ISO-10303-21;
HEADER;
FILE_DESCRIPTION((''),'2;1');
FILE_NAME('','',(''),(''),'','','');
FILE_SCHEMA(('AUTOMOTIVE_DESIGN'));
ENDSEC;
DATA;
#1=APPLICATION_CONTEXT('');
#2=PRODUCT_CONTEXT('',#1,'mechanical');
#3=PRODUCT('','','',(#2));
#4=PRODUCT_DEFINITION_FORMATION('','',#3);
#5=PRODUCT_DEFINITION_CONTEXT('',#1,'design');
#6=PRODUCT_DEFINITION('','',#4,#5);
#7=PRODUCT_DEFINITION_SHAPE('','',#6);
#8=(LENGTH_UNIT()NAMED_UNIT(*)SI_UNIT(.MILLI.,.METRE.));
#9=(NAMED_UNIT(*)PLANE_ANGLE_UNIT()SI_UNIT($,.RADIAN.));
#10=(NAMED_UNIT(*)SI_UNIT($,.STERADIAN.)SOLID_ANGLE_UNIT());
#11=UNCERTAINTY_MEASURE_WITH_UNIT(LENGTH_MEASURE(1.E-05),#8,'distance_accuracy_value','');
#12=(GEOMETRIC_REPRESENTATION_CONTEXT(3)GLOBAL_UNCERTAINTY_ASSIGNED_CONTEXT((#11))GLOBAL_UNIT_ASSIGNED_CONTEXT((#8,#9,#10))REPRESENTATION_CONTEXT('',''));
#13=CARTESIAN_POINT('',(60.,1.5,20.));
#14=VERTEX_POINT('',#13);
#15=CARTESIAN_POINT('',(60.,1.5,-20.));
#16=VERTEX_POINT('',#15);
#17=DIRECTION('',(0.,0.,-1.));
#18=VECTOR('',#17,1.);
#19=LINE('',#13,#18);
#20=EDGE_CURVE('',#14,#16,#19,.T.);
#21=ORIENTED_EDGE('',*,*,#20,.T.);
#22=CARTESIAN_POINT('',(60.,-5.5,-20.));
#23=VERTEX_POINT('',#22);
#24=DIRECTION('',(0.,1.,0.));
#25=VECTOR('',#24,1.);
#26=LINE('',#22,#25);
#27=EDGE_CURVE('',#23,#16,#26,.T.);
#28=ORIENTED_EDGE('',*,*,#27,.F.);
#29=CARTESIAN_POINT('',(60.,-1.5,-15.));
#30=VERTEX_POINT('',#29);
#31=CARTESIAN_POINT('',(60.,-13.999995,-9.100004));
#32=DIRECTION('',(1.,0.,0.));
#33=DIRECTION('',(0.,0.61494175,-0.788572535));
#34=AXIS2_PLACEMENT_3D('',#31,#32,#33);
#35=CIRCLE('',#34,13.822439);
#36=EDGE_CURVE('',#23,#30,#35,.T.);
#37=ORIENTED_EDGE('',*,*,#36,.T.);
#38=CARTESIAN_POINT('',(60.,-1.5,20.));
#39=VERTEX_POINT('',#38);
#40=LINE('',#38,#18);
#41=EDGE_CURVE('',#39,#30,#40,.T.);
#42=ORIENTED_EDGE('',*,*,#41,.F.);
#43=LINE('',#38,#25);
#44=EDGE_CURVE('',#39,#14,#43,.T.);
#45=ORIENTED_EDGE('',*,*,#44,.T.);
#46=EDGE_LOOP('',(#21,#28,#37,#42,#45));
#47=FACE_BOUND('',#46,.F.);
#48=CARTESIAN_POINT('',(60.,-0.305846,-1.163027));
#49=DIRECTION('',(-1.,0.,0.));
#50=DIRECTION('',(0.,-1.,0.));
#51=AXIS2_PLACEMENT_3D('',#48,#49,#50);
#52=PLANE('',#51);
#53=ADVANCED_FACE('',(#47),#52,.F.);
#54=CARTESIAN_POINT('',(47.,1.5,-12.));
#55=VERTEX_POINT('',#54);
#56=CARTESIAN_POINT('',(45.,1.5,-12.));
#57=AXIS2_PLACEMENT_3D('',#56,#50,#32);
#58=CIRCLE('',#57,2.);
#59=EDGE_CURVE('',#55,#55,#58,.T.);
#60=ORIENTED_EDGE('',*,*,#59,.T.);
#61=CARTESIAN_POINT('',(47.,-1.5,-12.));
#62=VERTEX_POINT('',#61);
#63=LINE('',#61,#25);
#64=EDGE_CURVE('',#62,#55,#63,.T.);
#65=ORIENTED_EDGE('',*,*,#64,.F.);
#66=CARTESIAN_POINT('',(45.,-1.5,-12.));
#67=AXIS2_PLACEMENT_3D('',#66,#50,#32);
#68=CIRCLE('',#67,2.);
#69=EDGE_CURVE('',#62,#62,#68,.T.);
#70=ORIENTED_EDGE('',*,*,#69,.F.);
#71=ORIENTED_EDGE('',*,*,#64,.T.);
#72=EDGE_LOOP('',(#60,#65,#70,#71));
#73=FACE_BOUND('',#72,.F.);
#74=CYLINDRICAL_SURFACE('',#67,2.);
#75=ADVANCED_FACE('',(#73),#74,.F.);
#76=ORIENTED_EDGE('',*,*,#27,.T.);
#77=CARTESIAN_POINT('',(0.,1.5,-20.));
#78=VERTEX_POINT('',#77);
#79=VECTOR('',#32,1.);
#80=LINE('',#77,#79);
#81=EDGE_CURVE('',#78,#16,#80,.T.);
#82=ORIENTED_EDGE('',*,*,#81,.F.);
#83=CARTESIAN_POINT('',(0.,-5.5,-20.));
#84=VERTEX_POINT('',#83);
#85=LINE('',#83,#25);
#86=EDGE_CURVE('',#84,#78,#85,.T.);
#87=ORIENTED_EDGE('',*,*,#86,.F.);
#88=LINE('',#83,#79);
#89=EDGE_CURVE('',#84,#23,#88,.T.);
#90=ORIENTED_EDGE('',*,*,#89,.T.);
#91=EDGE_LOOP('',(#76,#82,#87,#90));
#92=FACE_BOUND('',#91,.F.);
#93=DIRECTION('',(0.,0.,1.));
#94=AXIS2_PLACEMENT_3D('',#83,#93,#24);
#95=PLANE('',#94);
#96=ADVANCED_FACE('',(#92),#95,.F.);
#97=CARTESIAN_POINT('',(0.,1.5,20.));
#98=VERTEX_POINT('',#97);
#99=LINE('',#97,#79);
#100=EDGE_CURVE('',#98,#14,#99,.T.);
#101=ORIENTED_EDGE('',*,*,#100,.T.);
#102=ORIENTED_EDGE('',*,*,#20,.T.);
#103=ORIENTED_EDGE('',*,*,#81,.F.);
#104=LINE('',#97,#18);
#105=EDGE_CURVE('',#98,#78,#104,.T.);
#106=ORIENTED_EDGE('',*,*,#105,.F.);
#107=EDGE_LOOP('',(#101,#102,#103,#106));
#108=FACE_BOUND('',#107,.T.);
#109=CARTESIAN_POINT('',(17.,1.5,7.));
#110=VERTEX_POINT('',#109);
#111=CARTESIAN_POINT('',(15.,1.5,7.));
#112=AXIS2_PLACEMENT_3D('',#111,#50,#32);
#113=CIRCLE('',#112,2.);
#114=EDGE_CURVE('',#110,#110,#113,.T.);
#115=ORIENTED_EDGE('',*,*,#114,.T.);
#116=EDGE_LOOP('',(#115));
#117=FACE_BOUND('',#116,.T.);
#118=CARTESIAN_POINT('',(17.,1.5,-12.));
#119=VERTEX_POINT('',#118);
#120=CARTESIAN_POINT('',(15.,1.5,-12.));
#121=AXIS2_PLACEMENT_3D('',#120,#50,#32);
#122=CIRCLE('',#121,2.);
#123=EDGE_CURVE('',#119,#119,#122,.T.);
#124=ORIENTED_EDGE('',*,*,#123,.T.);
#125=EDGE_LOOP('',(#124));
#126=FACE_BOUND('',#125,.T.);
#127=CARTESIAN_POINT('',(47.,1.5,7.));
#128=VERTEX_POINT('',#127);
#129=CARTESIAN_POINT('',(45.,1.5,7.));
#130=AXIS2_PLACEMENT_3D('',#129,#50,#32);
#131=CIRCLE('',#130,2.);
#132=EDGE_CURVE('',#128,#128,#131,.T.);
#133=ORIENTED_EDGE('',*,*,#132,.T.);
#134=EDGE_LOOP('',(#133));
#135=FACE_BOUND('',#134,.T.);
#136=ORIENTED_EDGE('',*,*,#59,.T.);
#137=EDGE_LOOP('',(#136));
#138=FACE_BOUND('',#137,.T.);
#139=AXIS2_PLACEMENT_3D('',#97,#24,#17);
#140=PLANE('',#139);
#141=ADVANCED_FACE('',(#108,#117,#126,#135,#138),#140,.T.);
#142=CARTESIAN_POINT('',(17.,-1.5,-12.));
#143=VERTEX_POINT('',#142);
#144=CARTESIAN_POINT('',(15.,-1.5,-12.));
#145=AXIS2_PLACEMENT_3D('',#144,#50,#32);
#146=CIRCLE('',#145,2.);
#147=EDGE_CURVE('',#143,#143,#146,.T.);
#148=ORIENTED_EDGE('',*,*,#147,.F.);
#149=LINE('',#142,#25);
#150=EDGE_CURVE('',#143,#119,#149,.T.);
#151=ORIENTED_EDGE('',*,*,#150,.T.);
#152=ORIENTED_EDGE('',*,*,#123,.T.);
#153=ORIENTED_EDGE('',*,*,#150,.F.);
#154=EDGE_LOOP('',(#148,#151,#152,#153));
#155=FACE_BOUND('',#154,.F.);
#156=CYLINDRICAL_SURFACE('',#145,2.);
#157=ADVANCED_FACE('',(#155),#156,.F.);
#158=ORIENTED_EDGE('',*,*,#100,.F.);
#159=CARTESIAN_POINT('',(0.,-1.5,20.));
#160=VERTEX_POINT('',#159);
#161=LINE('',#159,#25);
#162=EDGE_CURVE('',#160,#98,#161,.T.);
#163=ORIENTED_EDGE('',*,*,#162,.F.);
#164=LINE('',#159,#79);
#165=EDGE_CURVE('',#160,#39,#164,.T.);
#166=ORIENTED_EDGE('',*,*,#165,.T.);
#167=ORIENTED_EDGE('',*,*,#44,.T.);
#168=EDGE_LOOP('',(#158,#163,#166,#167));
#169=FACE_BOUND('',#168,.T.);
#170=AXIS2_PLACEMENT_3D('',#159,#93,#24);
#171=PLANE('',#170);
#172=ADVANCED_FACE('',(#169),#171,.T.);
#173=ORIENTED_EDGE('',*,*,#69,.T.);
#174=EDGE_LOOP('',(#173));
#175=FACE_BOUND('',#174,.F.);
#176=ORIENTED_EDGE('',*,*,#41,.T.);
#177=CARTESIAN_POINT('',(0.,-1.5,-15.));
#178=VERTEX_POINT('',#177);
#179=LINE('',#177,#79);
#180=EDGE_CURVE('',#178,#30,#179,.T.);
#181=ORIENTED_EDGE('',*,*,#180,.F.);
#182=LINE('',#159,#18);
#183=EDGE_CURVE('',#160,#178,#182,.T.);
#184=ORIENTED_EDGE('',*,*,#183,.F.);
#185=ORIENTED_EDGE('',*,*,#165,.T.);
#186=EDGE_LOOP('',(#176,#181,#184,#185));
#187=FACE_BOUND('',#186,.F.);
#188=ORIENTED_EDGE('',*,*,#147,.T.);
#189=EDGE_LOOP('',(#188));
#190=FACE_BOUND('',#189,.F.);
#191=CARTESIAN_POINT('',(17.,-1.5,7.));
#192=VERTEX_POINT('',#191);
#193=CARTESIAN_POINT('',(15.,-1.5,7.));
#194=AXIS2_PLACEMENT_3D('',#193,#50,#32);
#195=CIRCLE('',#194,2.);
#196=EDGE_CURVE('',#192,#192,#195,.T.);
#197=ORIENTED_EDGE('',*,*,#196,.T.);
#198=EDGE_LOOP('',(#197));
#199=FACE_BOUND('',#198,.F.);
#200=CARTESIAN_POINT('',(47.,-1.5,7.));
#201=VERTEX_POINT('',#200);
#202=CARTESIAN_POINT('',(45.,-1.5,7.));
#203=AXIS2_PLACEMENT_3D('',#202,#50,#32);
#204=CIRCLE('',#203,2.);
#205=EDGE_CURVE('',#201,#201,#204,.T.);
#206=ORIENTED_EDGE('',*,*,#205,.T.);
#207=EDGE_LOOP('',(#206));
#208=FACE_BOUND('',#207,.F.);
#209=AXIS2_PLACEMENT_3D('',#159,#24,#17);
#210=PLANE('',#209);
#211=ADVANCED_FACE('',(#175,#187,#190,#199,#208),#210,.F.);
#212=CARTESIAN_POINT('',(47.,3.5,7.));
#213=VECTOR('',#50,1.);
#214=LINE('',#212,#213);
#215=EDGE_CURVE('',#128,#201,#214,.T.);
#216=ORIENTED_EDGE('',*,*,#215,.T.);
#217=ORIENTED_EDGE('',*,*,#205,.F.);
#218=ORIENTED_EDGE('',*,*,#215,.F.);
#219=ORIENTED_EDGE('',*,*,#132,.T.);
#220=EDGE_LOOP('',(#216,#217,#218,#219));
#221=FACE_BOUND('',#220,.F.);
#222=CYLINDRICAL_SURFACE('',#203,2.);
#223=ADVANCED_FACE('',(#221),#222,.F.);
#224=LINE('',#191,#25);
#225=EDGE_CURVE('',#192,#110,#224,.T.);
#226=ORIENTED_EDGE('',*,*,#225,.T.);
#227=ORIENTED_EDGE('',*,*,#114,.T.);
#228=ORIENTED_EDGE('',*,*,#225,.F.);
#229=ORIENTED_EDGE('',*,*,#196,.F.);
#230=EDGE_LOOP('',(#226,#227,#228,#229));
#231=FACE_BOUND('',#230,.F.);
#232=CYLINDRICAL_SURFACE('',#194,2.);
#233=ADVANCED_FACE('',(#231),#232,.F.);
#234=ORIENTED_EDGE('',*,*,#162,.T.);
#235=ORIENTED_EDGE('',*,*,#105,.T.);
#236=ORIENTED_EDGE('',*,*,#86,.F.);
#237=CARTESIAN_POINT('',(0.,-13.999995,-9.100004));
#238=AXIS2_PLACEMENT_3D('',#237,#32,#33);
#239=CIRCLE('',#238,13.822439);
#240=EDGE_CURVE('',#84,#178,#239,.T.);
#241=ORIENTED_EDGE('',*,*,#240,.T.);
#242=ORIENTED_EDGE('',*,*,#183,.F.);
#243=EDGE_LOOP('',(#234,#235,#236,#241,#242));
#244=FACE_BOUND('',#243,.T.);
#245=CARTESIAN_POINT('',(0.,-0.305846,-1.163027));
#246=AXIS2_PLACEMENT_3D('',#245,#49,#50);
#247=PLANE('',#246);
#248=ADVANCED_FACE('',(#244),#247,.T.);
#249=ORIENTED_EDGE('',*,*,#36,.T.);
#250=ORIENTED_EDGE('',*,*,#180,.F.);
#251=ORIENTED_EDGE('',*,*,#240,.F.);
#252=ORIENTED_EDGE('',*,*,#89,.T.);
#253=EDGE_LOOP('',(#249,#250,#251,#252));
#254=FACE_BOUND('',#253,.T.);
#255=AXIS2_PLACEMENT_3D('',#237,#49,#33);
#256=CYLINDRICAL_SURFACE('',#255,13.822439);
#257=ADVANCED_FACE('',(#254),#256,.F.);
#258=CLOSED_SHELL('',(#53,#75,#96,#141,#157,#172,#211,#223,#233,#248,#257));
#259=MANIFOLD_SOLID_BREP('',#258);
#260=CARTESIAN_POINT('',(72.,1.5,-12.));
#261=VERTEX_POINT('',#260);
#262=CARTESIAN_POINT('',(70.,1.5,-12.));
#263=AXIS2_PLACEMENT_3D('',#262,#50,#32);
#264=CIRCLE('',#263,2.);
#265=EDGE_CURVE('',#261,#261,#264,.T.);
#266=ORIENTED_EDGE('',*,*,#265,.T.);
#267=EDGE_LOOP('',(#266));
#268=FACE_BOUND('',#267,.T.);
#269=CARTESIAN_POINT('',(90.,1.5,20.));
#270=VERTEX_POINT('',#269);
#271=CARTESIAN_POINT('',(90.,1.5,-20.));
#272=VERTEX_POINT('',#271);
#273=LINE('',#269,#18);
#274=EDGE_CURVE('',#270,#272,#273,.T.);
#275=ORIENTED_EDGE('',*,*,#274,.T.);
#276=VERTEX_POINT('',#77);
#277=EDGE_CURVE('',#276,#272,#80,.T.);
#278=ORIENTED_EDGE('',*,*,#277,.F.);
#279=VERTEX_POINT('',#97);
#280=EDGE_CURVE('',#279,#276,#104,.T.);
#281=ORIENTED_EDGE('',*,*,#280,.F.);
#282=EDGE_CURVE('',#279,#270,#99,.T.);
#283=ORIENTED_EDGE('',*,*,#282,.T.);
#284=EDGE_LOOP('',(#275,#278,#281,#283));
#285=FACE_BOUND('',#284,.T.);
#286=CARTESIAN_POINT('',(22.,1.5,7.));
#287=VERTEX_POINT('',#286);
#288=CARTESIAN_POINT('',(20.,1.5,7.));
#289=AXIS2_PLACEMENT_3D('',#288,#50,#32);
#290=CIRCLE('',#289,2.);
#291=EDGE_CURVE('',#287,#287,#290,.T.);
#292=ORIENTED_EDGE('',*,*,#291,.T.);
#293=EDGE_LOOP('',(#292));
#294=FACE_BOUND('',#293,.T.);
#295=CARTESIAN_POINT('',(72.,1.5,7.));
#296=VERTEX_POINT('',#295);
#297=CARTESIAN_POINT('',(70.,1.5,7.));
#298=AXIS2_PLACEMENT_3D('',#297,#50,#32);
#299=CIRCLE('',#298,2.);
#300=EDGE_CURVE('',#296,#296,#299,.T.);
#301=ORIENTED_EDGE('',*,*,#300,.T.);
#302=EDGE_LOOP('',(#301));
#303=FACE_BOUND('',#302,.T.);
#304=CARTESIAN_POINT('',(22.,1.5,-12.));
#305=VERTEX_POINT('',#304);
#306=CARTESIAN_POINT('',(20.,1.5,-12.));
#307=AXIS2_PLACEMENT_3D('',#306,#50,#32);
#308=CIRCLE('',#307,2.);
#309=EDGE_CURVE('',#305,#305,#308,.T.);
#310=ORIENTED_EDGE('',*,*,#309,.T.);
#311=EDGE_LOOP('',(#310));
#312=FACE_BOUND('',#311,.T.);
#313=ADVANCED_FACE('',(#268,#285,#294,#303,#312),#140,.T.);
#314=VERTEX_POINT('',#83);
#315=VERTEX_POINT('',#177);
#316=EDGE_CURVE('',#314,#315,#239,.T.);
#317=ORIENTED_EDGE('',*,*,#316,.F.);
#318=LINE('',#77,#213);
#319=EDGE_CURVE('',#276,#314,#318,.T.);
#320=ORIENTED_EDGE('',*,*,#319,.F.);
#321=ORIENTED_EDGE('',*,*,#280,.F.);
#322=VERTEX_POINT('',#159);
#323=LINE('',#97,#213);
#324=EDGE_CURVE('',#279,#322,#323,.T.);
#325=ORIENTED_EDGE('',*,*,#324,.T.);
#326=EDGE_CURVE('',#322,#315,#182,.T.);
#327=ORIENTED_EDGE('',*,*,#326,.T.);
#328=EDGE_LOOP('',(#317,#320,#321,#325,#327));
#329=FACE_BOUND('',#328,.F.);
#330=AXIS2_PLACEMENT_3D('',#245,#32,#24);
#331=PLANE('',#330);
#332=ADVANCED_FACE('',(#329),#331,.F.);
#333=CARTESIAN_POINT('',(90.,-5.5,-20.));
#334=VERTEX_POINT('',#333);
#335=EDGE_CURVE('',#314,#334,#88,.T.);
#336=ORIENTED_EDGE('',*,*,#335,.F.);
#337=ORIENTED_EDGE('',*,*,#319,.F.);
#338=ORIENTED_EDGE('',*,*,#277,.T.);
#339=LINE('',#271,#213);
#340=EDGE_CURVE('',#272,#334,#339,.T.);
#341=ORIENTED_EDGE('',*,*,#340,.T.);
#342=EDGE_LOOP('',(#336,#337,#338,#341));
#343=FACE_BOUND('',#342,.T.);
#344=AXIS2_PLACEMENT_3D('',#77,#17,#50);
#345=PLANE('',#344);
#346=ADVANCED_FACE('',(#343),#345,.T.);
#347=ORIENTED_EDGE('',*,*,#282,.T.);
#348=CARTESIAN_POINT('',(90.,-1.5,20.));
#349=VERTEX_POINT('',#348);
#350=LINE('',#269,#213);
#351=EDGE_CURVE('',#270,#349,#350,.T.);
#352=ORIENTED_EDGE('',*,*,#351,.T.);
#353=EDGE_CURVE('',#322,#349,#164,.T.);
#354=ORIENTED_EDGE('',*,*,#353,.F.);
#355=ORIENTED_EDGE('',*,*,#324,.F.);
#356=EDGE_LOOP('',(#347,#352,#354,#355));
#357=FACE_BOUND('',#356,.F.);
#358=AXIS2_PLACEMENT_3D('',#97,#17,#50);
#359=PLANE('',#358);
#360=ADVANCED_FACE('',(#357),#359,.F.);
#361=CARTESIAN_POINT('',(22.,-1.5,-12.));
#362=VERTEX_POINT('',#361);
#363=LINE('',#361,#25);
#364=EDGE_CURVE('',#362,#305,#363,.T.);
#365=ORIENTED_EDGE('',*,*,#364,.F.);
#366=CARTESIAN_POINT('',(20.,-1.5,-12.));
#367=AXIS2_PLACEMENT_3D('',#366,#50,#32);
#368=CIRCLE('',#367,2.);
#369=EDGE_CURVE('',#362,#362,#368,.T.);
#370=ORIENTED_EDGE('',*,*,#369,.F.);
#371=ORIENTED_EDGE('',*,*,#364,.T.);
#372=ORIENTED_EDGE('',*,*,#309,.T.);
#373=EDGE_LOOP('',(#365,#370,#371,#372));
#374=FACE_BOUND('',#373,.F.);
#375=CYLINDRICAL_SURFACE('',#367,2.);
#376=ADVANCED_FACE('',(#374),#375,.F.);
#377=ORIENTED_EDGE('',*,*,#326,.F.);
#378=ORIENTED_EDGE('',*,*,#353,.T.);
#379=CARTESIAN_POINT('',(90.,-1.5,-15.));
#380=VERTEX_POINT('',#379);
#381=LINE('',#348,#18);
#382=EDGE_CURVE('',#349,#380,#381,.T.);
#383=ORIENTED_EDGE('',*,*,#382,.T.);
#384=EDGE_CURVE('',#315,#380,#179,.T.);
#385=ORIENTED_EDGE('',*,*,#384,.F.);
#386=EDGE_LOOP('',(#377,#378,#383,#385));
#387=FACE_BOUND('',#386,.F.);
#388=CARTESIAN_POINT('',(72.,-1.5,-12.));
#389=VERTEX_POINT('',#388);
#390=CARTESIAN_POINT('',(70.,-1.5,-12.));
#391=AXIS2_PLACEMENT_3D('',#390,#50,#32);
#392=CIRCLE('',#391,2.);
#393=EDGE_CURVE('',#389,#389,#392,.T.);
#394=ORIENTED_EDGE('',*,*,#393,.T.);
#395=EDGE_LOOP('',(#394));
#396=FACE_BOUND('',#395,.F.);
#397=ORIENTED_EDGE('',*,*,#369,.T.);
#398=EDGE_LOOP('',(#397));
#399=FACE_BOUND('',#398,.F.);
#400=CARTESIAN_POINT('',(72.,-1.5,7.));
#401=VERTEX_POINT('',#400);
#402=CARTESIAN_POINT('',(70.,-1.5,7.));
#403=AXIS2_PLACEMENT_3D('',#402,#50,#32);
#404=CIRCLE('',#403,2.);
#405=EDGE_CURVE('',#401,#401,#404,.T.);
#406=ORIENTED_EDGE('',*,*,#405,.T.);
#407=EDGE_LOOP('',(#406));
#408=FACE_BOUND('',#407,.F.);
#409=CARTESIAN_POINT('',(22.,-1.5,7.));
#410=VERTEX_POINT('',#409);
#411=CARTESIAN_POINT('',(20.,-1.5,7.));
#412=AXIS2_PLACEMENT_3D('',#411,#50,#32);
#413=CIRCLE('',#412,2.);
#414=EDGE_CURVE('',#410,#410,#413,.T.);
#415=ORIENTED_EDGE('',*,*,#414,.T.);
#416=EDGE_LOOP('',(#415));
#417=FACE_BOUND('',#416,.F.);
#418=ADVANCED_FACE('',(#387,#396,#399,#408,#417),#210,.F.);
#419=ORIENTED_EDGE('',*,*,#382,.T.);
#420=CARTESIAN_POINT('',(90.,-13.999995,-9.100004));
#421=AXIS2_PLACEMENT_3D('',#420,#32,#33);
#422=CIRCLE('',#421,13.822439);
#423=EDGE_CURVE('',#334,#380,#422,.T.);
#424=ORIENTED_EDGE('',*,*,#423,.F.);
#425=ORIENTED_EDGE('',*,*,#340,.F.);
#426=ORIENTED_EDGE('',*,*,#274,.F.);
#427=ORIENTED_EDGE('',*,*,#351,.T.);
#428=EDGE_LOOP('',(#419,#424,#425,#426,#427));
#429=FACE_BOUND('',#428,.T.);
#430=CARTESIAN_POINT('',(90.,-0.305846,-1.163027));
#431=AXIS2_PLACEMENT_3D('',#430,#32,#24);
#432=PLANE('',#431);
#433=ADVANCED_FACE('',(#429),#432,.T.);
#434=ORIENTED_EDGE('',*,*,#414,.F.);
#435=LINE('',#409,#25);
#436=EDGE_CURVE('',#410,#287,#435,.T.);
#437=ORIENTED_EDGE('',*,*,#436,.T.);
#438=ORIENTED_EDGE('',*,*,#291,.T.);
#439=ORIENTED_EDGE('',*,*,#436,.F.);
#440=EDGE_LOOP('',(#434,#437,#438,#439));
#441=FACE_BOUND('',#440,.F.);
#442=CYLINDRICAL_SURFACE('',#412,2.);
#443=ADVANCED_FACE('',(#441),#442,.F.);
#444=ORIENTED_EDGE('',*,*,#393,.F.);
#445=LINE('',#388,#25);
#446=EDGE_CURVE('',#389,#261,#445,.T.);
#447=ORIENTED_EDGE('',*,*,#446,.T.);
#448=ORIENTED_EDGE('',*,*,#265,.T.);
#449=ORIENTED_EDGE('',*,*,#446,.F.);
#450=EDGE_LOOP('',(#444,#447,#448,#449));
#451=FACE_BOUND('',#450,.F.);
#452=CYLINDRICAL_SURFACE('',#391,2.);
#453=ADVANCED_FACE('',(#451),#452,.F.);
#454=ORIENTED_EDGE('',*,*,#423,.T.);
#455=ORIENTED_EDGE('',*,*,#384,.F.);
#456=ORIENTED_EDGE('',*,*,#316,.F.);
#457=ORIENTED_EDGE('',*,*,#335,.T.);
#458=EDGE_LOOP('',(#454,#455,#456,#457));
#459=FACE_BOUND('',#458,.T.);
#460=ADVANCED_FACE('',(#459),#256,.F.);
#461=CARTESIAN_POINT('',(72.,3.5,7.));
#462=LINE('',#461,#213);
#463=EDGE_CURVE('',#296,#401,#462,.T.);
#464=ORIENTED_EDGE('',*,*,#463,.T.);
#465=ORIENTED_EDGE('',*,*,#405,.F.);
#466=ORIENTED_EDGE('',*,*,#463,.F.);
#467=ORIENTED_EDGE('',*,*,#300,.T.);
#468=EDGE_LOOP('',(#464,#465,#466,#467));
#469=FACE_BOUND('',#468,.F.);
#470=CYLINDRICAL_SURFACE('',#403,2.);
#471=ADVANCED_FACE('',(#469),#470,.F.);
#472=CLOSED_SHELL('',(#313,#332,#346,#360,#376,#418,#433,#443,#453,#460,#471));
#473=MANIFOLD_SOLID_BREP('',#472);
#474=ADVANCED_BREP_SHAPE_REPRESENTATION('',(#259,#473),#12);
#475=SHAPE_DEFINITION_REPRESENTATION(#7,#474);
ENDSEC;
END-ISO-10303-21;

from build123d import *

# Parameters (mm, degrees)
SKETCH001_R      = 2
EXTRUDE001_DEPTH = 5
EXTRUDE_DEPTH    = 60
SKETCH003_R      = 2
EXTRUDE003_DEPTH = 5
EXTRUDE002_DEPTH = 90


with BuildPart() as extrude001:
    # Sketch001 (on Face5 of Extrude) → Extrude001 (new body, symmetric)
    with BuildSketch(Plane.XZ.offset(1.5)):
        with Locations((15, -12)):
            Circle(SKETCH001_R)
        with Locations((15, 7)):
            Circle(SKETCH001_R)
        with Locations((45, -12)):
            Circle(SKETCH001_R)
        with Locations((45, 7)):
            Circle(SKETCH001_R)
    extrude(amount=EXTRUDE001_DEPTH, both=True)


with BuildPart() as sided_hit_plank:
    # Sketch → Extrude (new body)
    with BuildSketch(Plane.YZ):
        with BuildLine():
            Line((-1.5, 20), (1.5, 20))
            Line((1.5, 20), (1.5, -20))
            Line((-5.5, -20), (1.5, -20))
            ThreePointArc((-5.5, -20), (-3.206483, -17.734813), (-1.5, -15))
            Line((-1.5, 20), (-1.5, -15))
        make_face()
    extrude(amount=EXTRUDE_DEPTH)

    # Cut: cut Extrude001
    add(extrude001.part, mode=Mode.SUBTRACT)


with BuildPart() as extrude003:
    # Sketch003 (on Face2 of Extrude002) → Extrude003 (new body, symmetric)
    with BuildSketch(Plane.XZ.offset(1.5)):
        with Locations((20, -12)):
            Circle(SKETCH003_R)
        with Locations((20, 7)):
            Circle(SKETCH003_R)
        with Locations((70, -12)):
            Circle(SKETCH003_R)
        with Locations((70, 7)):
            Circle(SKETCH003_R)
    extrude(amount=EXTRUDE003_DEPTH, both=True)


with BuildPart() as center_hit_plank:
    # Sketch002 → Extrude002 (new body)
    with BuildSketch(Plane.YZ):
        with BuildLine():
            Line((1.5, 20), (-1.5, 20))
            Line((-1.5, 20), (-1.5, -15))
            ThreePointArc((-5.5, -20), (-3.206483, -17.734813), (-1.5, -15))
            Line((1.5, -20), (-5.5, -20))
            Line((1.5, 20), (1.5, -20))
        make_face()
    extrude(amount=EXTRUDE002_DEPTH)

    # Cut001: cut Extrude003
    add(extrude003.part, mode=Mode.SUBTRACT)


solid = Compound([sided_hit_plank.part, center_hit_plank.part])
